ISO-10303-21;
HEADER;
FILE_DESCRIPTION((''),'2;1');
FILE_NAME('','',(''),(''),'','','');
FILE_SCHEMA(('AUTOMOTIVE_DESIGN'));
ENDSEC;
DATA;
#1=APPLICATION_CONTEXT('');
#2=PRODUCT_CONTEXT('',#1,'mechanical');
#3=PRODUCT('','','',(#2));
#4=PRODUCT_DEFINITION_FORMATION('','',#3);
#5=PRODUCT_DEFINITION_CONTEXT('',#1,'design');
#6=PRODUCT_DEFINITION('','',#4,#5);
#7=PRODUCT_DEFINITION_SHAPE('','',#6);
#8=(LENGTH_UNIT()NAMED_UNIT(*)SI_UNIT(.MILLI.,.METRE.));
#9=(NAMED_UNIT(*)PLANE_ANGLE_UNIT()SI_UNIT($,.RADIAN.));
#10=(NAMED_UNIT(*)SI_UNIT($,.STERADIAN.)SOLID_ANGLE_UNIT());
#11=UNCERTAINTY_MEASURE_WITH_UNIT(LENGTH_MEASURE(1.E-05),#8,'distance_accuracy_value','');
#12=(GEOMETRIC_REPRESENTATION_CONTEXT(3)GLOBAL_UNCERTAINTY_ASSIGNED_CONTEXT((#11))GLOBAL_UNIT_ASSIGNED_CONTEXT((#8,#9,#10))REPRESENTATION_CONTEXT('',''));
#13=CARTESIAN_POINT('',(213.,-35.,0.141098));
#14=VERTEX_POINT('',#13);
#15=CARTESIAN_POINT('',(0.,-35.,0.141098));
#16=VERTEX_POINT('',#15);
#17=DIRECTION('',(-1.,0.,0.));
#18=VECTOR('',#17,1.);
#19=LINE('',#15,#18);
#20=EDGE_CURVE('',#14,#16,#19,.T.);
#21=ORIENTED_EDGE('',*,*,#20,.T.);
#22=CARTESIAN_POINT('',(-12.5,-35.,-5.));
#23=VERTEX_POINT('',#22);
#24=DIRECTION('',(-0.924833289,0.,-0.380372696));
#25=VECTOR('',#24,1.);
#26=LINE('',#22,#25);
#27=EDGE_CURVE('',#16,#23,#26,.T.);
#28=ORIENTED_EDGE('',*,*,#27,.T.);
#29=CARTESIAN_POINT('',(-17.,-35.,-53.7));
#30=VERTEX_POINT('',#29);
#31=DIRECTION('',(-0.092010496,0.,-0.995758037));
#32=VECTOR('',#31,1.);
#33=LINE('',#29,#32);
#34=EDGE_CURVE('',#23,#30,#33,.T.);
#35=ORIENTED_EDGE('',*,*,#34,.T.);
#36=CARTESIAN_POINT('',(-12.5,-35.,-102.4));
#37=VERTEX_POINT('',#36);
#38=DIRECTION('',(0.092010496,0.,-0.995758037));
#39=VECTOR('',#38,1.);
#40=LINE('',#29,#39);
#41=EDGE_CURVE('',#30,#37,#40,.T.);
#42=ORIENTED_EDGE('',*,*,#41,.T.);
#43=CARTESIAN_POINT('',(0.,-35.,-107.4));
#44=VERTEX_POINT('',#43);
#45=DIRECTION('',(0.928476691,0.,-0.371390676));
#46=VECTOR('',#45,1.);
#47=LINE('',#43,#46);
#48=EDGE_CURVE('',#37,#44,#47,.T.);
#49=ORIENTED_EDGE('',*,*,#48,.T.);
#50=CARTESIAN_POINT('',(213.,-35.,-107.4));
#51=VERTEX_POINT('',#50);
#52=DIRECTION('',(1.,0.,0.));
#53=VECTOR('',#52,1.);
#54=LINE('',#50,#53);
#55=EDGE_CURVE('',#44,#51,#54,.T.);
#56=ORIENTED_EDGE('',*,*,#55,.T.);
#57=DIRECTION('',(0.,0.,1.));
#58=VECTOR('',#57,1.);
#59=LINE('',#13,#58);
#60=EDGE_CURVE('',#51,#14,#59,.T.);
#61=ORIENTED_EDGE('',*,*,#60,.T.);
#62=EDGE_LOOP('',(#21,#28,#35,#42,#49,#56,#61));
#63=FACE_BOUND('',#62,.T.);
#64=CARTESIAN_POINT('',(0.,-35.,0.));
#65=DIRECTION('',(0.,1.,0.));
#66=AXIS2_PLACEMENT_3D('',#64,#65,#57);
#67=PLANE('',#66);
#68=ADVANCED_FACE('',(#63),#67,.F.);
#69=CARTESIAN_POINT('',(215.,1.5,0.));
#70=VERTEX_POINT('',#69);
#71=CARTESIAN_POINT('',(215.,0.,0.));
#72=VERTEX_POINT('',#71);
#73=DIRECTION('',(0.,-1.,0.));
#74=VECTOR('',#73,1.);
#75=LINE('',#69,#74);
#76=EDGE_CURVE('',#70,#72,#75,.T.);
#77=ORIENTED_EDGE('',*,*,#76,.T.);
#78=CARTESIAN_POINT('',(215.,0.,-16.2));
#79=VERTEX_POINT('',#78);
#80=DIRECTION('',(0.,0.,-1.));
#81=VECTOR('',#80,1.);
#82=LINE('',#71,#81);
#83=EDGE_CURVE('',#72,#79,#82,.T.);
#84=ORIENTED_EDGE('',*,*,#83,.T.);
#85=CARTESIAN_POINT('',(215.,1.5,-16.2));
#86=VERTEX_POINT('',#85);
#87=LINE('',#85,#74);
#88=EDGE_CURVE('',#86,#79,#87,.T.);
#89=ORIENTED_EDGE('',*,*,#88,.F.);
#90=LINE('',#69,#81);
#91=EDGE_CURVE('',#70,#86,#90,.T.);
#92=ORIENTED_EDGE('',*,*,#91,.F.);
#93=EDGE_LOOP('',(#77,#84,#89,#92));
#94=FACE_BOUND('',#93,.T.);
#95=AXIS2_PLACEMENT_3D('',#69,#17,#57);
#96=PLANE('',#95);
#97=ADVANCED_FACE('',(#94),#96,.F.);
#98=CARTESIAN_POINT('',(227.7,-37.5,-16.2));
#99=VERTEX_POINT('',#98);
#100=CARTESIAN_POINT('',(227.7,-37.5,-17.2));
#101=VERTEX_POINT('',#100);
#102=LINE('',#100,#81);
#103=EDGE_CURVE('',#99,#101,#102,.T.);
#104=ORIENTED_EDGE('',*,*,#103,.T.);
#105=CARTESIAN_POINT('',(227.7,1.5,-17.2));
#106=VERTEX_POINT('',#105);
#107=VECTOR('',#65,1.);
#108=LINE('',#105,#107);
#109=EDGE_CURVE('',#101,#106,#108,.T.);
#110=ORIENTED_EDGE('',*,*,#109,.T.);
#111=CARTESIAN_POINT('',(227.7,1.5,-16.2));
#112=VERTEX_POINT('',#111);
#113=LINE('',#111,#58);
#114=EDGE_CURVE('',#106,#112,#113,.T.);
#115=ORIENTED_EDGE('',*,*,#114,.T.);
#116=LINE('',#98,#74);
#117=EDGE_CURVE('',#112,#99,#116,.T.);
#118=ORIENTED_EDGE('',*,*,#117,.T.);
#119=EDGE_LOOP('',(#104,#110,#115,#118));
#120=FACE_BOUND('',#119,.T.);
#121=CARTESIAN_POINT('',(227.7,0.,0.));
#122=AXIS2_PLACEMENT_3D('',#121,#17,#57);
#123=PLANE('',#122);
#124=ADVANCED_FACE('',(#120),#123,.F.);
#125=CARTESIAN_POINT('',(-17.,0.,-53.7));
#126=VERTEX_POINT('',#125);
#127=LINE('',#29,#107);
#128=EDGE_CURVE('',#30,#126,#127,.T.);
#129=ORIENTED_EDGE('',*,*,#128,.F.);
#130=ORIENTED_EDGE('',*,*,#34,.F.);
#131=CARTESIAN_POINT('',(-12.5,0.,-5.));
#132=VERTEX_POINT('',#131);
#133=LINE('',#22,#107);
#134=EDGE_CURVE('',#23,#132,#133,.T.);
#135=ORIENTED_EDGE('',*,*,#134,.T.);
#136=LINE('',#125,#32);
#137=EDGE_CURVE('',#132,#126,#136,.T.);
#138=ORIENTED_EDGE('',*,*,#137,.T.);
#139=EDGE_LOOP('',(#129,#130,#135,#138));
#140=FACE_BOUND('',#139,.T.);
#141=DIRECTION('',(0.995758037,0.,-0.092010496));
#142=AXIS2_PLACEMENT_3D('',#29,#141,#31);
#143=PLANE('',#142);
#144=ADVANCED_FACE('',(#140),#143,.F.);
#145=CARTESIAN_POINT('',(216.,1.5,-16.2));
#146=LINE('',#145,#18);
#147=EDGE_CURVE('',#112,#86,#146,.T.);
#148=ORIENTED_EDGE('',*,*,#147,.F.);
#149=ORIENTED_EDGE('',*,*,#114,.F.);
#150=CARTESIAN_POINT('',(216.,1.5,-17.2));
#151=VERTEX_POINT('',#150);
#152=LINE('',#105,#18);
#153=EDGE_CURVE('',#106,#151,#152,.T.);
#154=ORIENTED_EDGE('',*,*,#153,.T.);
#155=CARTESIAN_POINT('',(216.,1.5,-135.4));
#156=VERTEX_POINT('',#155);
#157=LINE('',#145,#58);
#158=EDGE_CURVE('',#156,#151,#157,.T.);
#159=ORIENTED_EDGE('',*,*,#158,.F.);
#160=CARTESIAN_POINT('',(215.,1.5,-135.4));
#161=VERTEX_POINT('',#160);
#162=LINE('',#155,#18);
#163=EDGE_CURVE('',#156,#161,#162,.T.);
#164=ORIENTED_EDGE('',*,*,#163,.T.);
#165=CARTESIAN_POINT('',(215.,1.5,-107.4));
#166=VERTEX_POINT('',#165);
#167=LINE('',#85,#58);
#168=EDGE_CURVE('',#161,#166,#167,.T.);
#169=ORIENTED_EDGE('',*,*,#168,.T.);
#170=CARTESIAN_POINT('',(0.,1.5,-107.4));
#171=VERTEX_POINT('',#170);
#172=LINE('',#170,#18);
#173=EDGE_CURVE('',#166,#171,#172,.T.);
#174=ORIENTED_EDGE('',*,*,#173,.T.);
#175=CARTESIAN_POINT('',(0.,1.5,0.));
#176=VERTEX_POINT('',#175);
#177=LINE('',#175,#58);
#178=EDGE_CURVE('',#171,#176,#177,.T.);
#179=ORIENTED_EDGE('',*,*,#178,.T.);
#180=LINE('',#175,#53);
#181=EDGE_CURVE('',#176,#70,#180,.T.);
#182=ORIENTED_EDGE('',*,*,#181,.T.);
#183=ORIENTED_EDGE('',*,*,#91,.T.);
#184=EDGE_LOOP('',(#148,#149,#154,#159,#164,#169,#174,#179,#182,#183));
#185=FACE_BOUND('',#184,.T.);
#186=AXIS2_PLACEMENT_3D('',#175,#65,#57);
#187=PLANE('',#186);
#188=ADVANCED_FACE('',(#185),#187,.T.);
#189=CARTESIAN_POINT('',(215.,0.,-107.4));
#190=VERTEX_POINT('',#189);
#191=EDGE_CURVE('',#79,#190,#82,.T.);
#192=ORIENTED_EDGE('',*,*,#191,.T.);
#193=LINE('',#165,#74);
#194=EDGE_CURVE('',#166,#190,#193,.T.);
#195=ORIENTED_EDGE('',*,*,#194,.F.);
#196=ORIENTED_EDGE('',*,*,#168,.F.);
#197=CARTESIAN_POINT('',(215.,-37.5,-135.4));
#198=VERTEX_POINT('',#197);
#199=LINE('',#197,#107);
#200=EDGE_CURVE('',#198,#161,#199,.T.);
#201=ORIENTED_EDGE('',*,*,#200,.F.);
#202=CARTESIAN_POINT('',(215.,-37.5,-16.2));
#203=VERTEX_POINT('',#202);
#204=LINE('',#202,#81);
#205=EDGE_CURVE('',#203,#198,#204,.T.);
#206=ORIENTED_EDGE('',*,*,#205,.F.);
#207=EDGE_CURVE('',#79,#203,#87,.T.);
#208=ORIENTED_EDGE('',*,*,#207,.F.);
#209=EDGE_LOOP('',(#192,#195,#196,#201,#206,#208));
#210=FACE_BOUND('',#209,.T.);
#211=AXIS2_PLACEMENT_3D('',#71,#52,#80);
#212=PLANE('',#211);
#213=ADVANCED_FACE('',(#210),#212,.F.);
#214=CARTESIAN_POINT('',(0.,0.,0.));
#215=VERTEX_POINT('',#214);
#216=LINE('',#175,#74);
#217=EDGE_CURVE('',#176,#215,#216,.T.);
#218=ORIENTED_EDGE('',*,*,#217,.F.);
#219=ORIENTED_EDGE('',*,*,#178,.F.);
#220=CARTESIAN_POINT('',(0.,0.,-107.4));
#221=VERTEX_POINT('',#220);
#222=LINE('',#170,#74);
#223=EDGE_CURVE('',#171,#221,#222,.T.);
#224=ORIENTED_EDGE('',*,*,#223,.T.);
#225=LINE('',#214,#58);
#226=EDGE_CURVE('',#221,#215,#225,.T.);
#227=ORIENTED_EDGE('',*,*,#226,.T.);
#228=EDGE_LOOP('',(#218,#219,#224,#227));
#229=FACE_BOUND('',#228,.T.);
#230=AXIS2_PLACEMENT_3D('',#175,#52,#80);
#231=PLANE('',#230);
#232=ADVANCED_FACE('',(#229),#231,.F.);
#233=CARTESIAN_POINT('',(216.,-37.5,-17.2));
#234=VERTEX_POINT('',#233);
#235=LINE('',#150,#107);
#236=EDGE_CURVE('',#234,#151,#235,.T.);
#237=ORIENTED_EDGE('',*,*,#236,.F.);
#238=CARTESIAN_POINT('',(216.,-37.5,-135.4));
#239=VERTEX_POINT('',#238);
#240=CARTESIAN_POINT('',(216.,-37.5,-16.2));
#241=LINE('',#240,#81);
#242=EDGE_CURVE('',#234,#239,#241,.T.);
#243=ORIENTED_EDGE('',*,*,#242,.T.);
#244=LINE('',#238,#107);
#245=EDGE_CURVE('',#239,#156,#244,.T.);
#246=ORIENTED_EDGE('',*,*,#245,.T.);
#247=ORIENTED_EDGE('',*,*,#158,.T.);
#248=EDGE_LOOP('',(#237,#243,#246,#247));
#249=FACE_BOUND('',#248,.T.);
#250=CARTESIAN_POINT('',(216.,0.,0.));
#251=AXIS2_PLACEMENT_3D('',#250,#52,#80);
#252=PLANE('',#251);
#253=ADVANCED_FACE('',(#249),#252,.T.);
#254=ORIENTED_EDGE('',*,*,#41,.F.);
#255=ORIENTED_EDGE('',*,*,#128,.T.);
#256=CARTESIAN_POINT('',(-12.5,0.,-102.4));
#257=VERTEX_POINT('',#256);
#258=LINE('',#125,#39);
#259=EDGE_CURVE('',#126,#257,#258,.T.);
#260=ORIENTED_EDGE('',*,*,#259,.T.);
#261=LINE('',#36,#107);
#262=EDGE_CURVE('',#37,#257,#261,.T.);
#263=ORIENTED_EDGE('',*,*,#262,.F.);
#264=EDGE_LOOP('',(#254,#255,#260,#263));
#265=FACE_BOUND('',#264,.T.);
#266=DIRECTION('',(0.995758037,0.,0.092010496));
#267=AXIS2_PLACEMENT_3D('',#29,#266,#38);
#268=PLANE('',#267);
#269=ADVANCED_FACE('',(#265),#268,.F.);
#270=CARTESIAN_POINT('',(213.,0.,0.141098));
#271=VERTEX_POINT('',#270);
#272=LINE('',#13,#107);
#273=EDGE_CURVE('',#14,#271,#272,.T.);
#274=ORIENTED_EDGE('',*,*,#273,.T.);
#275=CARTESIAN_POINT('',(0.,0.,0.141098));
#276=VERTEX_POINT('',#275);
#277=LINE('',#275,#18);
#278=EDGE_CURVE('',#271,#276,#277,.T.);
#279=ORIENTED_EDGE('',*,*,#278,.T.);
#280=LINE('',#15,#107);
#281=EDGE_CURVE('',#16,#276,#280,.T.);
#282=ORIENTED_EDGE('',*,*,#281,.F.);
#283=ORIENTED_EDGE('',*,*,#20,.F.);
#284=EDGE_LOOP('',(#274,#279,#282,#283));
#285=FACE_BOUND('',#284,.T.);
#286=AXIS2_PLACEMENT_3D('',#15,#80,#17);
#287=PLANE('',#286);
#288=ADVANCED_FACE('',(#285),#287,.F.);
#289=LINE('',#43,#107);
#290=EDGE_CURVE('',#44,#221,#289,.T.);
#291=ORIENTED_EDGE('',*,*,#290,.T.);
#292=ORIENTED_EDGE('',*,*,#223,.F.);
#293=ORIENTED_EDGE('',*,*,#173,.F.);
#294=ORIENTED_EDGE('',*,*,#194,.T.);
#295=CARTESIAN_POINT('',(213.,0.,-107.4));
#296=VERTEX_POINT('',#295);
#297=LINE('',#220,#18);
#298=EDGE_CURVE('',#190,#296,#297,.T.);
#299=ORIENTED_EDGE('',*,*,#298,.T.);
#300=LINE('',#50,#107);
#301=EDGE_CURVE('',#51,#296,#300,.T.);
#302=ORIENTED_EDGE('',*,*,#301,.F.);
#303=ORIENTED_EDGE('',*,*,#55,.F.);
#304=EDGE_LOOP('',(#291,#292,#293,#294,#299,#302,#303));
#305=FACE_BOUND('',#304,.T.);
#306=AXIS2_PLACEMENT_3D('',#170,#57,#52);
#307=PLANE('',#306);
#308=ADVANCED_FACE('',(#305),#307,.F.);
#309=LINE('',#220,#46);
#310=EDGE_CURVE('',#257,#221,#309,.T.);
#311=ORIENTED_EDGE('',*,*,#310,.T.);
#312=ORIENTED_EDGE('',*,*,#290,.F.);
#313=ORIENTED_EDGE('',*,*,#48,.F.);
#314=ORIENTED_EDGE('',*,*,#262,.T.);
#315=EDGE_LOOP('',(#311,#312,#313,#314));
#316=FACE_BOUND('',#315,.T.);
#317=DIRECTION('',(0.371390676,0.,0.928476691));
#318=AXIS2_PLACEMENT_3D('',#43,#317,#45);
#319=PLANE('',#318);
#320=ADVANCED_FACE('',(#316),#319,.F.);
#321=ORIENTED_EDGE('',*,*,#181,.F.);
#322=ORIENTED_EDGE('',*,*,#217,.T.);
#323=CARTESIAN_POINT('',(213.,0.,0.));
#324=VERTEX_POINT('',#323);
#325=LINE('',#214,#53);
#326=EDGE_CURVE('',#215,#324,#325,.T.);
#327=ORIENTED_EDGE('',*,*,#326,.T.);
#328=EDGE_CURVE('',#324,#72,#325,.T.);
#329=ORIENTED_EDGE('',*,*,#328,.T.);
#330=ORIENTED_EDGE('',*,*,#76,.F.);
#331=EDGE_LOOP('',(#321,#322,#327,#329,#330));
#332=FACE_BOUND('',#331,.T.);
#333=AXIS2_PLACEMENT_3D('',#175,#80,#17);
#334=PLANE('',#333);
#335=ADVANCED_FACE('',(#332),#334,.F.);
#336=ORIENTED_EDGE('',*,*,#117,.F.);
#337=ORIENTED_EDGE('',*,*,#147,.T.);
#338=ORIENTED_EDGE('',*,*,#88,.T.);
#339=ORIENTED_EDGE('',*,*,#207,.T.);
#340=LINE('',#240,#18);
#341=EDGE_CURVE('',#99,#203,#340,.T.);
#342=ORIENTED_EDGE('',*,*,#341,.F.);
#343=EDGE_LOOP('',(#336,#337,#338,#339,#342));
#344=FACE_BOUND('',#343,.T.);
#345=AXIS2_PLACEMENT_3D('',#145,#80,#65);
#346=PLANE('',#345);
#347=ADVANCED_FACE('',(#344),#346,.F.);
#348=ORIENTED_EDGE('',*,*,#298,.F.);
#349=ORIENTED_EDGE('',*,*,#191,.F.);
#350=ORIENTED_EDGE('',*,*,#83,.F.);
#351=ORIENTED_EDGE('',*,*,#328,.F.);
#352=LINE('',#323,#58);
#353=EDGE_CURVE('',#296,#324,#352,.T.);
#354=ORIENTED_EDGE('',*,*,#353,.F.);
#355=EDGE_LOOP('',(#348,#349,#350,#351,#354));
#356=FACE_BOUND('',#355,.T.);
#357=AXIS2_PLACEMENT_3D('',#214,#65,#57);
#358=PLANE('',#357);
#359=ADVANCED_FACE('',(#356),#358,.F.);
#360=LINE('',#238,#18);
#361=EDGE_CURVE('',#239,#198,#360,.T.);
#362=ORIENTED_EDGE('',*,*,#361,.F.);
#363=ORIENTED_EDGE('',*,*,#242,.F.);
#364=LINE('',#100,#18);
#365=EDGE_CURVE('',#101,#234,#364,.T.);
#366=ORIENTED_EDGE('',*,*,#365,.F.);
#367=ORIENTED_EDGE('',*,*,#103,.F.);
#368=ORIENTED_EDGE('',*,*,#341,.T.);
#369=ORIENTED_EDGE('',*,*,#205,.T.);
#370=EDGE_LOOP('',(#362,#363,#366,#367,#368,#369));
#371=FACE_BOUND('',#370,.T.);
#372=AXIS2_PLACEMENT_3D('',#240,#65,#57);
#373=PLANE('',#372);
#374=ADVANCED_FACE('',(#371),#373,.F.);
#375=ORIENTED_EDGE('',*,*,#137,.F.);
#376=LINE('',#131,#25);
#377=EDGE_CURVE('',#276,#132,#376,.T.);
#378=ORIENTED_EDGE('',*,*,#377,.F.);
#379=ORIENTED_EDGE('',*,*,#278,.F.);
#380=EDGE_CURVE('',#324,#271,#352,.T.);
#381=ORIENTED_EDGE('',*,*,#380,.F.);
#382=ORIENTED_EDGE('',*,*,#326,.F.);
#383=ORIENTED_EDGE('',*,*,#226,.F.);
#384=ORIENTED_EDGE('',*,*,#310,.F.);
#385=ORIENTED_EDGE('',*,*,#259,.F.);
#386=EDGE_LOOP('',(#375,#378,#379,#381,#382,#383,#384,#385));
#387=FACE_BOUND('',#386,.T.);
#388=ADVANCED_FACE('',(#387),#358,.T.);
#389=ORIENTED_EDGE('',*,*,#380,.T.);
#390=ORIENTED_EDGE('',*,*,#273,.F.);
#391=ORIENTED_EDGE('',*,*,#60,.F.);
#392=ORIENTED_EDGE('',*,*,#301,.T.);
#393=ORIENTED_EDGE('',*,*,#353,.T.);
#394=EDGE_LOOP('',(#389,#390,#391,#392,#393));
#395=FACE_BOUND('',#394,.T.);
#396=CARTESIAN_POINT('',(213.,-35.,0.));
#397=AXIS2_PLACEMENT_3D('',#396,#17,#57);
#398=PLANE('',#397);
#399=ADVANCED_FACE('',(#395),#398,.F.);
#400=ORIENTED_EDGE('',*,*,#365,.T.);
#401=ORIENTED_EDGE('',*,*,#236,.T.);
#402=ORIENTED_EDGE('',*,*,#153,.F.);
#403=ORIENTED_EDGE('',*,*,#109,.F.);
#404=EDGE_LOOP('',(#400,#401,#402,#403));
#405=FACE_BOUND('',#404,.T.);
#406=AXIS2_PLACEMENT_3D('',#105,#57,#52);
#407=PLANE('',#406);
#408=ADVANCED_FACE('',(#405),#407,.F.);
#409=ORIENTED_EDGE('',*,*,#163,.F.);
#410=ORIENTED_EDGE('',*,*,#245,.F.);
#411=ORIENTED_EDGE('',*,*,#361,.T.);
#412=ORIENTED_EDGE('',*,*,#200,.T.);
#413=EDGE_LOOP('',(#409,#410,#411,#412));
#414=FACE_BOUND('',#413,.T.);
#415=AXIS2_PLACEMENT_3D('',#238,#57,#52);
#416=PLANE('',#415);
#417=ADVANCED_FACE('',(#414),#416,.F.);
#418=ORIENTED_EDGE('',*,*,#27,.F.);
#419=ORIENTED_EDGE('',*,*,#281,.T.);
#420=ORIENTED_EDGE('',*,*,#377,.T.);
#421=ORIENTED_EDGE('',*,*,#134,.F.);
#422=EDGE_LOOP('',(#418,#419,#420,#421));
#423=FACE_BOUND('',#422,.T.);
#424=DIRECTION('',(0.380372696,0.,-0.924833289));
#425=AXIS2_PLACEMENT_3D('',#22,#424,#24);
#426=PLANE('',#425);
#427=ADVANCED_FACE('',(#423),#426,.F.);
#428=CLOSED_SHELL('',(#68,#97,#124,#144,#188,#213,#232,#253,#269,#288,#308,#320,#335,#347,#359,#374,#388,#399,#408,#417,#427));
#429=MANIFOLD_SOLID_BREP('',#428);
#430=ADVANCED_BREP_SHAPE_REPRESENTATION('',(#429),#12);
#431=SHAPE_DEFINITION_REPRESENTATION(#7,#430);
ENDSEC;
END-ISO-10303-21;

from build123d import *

# Parameters (mm, degrees)
CARD_W              = 215
CARD_H              = 107.4
BOSS_EXTRUDE1_DEPTH = 1.5
SKETCH2_W           = 119.2
SKETCH2_H           = 39
BOSS_EXTRUDE2_DEPTH = 1
SKETCH3_W           = 1
SKETCH3_H           = 39
BOSS_EXTRUDE3_DEPTH = 11.7
BOSS_EXTRUDE4_DEPTH = 35


with BuildPart() as part:
    # card → Boss-Extrude1 (new body)
    with BuildSketch(Plane(origin=(0, 0, 0), x_dir=(1, 0, 0), z_dir=(0, 1, 0))):
        with Locations((107.5, 53.7)):
            Rectangle(CARD_W, CARD_H)
    extrude(amount=BOSS_EXTRUDE1_DEPTH)

    # Sketch2 → Boss-Extrude2 (add)
    with BuildSketch(Plane(origin=(215, 0, 0), x_dir=(0, 0, -1), z_dir=(1, 0, 0))):
        with Locations((75.8, -18)):
            Rectangle(SKETCH2_W, SKETCH2_H)
    extrude(amount=BOSS_EXTRUDE2_DEPTH)

    # Sketch3 → Boss-Extrude3 (add)
    with BuildSketch(Plane(origin=(216, 0, 0), x_dir=(0, 0, -1), z_dir=(1, 0, 0))):
        with Locations((16.7, -18)):
            Rectangle(SKETCH3_W, SKETCH3_H)
    extrude(amount=BOSS_EXTRUDE3_DEPTH)

    # Sketch5 → Boss-Extrude4 (add)
    with BuildSketch(Plane.XZ):
        Polygon((213, 0), (213, -107.4), (0, -107.4), (-12.5, -102.4), (-17, -53.7), (-12.5, -5), (0, 0.14109814), (213, 0.14109814), align=None)
    extrude(amount=BOSS_EXTRUDE4_DEPTH)


solid = part.part
